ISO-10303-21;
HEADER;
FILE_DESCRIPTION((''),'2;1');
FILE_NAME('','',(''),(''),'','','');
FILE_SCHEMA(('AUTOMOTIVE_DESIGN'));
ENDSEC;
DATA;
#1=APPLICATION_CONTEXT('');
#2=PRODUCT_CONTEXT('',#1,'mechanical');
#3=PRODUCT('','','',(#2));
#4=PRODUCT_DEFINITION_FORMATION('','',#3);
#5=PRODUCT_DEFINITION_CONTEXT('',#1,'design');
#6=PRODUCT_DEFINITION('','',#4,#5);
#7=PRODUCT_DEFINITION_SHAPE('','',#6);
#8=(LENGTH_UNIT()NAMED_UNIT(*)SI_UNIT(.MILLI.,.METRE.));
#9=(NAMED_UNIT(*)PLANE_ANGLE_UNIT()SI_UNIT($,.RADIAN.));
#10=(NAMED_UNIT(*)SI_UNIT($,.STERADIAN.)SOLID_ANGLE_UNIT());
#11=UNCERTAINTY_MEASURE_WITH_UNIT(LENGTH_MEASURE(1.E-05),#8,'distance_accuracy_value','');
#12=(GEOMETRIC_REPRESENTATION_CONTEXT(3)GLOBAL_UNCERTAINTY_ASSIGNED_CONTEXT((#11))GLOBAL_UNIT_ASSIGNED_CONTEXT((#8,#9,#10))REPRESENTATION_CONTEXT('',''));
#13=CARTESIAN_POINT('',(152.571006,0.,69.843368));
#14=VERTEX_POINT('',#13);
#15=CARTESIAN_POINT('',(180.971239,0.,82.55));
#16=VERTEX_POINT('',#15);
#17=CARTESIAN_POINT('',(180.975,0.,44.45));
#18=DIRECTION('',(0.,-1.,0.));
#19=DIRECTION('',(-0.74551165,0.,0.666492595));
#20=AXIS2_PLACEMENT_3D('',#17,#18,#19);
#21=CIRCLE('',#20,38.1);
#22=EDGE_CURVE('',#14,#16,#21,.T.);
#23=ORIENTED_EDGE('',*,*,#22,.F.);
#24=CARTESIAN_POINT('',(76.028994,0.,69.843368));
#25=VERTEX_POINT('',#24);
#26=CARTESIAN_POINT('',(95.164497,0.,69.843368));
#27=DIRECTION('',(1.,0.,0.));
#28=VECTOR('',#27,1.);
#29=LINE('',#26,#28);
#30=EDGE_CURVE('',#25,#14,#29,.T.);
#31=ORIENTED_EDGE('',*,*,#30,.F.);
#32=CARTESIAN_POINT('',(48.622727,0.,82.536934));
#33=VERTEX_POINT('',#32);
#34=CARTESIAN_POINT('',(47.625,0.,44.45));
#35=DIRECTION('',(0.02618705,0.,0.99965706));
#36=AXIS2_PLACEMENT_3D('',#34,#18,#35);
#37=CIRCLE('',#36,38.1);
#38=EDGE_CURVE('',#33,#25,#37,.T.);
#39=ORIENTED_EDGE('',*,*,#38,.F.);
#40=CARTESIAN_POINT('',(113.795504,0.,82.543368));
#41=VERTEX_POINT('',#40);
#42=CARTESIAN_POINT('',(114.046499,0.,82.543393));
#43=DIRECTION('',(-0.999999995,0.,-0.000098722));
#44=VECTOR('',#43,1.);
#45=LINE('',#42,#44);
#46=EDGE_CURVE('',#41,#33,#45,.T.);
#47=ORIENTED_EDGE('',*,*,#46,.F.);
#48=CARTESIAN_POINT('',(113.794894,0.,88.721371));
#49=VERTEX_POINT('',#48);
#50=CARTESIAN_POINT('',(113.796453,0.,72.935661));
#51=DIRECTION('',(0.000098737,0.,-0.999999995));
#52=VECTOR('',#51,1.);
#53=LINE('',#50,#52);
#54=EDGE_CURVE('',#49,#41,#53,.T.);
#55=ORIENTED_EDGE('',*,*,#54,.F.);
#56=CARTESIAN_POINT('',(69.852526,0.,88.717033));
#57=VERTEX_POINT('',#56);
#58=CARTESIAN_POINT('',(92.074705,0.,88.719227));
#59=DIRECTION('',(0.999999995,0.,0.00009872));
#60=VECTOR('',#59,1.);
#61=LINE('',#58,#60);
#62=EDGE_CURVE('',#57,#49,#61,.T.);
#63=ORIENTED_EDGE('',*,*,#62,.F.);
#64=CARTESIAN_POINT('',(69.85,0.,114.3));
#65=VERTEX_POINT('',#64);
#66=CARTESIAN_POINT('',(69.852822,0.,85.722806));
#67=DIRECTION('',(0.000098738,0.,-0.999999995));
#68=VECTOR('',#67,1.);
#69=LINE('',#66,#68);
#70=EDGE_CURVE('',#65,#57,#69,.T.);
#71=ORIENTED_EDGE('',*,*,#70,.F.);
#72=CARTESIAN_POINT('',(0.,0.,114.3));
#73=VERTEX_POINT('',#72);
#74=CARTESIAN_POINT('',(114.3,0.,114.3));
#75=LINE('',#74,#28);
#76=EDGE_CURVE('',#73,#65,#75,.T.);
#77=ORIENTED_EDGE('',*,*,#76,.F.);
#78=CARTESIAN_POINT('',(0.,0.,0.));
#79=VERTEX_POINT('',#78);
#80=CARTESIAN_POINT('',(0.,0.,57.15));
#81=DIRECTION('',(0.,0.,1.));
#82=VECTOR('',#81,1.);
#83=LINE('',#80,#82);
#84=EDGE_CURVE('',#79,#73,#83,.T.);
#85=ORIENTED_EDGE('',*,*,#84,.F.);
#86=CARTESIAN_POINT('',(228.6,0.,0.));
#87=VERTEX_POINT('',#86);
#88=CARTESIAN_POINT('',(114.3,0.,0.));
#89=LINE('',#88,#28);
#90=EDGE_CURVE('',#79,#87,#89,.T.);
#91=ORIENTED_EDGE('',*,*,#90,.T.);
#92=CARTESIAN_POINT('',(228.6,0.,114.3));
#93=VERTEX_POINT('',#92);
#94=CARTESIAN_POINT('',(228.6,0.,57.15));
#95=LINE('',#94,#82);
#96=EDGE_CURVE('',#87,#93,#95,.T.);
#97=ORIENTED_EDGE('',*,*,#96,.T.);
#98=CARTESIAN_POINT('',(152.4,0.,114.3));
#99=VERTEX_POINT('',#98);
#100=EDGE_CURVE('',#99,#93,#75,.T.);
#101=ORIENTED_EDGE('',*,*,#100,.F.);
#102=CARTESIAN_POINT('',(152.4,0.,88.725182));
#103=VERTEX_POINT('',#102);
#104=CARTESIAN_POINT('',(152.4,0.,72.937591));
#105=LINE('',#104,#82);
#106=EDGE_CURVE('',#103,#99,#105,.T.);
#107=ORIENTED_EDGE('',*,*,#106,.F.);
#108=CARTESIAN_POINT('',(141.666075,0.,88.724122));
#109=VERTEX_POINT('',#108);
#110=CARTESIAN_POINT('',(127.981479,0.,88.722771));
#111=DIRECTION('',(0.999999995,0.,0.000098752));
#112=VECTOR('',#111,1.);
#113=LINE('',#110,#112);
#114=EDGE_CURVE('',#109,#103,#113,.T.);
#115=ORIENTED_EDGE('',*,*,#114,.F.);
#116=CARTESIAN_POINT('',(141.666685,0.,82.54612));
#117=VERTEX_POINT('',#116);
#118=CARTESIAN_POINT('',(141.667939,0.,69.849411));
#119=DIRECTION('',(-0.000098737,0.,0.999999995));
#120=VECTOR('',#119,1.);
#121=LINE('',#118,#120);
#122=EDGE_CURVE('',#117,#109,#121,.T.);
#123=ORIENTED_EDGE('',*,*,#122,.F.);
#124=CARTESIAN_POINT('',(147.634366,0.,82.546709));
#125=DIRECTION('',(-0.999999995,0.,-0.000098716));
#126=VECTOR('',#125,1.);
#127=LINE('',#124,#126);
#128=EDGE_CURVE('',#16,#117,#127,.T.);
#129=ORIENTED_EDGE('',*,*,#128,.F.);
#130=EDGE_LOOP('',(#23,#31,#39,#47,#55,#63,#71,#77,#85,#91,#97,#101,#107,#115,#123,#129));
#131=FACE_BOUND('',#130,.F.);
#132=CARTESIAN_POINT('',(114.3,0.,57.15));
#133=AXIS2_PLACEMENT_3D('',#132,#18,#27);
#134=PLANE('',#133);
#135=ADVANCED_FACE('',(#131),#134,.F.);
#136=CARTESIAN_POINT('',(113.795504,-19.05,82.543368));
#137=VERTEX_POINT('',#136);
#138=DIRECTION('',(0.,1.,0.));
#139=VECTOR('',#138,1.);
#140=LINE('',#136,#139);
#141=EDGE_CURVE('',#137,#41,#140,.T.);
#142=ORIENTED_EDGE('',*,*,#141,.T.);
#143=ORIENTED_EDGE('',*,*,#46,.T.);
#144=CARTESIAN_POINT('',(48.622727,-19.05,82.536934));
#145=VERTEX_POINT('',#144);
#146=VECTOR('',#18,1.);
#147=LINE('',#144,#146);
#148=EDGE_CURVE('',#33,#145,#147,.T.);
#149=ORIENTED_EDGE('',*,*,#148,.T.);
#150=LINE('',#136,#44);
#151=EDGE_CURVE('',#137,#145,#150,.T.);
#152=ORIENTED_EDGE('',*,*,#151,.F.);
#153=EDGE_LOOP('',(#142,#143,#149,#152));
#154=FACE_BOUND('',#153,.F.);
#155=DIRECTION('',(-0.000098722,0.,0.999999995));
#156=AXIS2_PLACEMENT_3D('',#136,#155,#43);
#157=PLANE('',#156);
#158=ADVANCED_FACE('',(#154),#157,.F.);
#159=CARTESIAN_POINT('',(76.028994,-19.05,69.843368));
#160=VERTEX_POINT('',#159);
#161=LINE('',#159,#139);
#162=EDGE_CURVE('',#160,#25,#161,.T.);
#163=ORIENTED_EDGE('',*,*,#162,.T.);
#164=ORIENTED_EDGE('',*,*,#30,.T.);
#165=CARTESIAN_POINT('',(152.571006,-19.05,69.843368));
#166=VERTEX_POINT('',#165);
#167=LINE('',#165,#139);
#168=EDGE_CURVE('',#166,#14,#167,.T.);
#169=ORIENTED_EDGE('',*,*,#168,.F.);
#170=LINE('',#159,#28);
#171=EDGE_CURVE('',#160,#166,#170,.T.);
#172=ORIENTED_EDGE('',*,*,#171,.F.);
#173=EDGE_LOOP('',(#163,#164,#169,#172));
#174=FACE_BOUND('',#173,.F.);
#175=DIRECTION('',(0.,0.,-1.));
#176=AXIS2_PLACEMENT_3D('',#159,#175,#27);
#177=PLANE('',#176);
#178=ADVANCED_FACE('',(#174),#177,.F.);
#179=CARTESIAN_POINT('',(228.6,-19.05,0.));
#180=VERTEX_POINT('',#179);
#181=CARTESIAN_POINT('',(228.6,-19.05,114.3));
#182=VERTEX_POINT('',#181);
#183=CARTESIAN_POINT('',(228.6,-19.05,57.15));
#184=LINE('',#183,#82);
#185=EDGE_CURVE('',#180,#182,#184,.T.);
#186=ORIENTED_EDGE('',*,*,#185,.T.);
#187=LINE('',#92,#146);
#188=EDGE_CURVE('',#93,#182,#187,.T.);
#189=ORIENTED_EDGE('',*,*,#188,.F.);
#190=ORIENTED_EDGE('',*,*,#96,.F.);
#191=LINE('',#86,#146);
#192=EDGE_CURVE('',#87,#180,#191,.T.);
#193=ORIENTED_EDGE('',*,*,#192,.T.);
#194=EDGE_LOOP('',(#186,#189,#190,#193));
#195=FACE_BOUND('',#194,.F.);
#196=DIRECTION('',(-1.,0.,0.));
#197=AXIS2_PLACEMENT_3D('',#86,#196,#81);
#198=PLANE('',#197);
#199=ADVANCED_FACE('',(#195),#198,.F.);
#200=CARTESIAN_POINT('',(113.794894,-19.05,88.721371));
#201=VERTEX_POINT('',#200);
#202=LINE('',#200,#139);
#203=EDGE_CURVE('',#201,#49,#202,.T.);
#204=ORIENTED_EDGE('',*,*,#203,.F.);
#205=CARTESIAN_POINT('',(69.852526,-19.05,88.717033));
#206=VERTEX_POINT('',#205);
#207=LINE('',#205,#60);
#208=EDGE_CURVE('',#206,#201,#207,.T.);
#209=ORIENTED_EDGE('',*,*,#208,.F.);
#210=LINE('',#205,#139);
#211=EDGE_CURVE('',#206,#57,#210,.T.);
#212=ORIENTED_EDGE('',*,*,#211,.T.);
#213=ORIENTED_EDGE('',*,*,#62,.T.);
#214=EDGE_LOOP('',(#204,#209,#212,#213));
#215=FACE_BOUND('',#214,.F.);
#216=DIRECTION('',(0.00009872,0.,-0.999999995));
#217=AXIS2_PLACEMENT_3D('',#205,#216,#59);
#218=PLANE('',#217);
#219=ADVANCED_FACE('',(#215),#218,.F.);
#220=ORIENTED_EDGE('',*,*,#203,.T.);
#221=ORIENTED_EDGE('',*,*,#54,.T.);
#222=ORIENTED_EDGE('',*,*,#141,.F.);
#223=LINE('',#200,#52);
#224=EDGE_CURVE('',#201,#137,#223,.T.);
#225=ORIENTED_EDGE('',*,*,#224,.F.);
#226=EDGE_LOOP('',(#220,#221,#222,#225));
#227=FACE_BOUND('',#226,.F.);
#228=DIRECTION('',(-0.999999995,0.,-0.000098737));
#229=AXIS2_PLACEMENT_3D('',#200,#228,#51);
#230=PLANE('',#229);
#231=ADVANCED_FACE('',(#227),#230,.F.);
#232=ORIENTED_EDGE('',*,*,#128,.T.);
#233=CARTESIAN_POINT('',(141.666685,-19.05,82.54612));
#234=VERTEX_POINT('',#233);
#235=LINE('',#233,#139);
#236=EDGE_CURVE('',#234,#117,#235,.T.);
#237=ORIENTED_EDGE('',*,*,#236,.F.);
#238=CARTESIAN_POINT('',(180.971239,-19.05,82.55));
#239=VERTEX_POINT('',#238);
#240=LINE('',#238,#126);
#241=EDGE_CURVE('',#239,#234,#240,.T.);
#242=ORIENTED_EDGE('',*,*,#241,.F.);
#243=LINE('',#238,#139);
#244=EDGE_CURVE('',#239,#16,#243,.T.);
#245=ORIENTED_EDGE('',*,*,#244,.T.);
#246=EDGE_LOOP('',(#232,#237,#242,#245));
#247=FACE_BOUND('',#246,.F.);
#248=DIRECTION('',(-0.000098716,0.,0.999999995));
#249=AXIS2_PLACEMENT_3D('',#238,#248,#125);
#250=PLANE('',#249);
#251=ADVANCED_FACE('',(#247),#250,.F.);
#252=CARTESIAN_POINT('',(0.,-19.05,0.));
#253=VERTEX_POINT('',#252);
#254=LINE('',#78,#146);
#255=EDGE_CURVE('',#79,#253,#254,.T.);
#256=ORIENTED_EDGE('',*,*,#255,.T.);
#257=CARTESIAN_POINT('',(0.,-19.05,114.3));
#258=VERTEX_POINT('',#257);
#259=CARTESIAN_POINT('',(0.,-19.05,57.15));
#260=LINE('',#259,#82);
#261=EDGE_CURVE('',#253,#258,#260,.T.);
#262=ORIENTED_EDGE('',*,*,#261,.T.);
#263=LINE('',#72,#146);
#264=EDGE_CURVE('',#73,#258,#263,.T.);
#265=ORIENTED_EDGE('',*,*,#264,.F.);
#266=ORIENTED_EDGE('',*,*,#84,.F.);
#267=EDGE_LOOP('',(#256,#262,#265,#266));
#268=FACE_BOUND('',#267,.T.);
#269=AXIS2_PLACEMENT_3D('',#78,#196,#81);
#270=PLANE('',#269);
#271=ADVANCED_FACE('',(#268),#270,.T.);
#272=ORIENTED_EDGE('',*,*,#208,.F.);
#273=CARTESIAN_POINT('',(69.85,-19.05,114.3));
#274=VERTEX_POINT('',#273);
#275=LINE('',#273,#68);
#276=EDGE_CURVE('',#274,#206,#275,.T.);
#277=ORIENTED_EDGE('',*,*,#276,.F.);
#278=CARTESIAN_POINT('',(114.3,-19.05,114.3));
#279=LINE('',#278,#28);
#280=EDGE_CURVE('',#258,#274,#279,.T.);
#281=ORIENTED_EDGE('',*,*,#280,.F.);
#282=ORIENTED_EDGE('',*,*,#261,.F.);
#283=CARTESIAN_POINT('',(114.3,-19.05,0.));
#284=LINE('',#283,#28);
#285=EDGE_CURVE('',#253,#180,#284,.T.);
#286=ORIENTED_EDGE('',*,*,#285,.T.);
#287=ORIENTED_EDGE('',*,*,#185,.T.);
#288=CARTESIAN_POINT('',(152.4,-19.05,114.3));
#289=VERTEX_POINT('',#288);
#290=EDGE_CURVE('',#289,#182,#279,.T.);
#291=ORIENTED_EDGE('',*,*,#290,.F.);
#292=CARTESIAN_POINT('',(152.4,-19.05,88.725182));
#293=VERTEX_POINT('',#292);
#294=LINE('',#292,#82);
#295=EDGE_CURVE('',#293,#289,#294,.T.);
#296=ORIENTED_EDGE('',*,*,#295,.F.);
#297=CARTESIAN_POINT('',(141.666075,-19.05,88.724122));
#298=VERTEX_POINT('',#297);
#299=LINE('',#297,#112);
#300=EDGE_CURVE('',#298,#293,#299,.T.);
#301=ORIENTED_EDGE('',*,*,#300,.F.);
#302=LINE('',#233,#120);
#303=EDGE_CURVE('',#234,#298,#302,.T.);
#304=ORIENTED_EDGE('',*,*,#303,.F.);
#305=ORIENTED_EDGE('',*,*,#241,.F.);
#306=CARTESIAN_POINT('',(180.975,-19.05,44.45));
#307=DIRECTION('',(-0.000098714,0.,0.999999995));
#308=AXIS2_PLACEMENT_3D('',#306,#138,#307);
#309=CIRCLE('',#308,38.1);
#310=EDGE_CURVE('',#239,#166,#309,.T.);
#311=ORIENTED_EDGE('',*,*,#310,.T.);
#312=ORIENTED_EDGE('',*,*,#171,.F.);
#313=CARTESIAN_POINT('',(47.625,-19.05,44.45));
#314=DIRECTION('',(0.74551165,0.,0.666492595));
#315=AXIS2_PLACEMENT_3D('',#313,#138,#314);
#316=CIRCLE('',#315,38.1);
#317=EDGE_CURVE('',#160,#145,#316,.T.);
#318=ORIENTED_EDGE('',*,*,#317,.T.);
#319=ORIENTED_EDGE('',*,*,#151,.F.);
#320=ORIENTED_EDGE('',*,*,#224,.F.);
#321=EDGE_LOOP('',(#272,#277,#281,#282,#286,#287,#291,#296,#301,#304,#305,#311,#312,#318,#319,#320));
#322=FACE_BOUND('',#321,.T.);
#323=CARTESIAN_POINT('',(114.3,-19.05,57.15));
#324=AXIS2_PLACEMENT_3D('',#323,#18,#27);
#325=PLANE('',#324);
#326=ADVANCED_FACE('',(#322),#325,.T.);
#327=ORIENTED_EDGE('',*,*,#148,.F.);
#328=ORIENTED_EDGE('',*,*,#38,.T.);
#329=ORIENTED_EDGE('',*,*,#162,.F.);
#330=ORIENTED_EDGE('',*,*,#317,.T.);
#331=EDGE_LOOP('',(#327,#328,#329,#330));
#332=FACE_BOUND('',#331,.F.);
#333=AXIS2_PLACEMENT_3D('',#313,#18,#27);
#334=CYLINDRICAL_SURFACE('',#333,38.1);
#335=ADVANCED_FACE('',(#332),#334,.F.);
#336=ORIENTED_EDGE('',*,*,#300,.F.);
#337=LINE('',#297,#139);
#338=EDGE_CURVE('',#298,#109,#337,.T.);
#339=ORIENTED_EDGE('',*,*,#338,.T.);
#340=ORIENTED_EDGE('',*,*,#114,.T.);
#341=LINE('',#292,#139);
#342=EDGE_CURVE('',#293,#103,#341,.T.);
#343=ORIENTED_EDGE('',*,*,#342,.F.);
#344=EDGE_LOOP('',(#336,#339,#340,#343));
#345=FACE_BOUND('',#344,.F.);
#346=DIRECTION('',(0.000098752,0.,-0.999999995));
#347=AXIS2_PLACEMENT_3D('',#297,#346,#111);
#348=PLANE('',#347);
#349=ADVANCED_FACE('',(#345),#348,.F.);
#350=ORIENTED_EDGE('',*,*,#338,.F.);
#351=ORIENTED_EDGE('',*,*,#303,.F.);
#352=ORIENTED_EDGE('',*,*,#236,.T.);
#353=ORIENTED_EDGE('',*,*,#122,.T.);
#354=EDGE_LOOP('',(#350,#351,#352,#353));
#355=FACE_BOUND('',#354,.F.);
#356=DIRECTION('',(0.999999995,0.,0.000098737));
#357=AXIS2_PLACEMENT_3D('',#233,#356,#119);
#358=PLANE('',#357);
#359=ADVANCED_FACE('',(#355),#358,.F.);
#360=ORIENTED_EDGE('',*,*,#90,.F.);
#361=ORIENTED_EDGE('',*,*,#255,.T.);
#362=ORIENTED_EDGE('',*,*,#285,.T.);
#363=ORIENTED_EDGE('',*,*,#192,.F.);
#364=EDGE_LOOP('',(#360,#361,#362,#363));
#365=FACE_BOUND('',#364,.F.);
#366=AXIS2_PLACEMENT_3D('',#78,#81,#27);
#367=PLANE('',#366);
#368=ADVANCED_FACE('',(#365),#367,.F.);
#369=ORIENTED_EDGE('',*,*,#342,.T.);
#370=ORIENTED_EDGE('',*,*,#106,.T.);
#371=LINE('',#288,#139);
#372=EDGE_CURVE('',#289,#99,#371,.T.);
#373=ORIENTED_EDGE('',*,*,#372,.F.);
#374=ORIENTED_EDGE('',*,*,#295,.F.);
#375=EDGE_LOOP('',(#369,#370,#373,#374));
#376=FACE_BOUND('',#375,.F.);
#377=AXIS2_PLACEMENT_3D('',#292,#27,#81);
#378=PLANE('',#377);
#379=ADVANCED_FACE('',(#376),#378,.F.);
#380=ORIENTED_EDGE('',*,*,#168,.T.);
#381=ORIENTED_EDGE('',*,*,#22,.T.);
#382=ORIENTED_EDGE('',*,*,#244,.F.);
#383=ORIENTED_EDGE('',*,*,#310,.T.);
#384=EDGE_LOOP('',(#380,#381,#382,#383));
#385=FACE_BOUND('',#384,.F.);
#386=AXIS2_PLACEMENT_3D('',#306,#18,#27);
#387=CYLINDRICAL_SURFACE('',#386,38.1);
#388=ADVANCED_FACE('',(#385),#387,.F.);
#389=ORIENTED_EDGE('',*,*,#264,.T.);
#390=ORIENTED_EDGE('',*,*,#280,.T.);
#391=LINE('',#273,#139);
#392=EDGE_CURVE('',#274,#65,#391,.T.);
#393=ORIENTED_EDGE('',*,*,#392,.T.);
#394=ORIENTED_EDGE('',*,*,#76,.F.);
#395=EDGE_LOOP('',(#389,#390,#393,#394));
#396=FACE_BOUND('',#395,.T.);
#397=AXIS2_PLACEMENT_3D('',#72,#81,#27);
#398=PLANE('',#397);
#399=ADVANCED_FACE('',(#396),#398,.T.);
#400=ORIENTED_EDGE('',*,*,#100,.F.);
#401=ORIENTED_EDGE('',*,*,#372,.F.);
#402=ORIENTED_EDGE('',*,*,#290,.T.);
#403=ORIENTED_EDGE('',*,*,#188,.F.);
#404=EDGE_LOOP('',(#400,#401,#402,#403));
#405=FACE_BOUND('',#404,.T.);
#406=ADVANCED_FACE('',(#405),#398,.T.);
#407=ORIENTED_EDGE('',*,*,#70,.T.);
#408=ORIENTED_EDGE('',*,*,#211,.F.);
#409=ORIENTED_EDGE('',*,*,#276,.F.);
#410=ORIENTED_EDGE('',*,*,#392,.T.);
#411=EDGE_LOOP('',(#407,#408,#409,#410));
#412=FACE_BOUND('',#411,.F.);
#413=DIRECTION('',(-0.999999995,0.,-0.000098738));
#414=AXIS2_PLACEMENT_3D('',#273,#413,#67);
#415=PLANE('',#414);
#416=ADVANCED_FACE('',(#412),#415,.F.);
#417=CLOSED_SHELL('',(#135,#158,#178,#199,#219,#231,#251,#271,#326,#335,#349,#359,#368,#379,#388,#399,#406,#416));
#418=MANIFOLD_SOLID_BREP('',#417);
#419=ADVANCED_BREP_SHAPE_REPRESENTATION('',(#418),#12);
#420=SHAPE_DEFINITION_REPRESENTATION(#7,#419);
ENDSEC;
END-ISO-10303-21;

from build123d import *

# Parameters (mm, degrees)
F0_W     = 228.6
F0_H     = 114.3
F1_DEPTH = 19.05
F2_R     = 38.1
F3_DEPTH = 25.4
F5_DEPTH = 25.4


with BuildPart() as f1:
    # F0 (on Front) → F1 (new body)
    with BuildSketch(Plane.XZ):
        with Locations((114.3, 57.15)):
            Rectangle(F0_W, F0_H)
    extrude(amount=F1_DEPTH)

    # F2 (on face) → F3 (cut)
    with BuildSketch(Plane.XZ.offset(19.05)):
        with Locations((47.625, 44.45)):
            Circle(F2_R)
        with Locations((180.975, 44.45)):
            Circle(F2_R)
    extrude(amount=-F3_DEPTH, mode=Mode.SUBTRACT)

    # F4 (on face) → F5 (cut)
    with BuildSketch(Plane.XZ.offset(19.05)):
        with BuildLine():
            ThreePointArc((152.571006, 69.843368), (165.414963, 79.227798), (180.971239, 82.55))
            Line((180.971239, 82.55), (141.666685, 82.54612))
            Line((141.666685, 82.54612), (141.666075, 88.724122))
            Line((141.666075, 88.724122), (152.4, 88.725182))
            Line((152.4, 88.725182), (152.4, 114.3))
            Line((152.4, 114.3), (69.85, 114.3))
            Line((69.85, 114.3), (69.852526, 88.717033))
            Line((69.852526, 88.717033), (113.794894, 88.721371))
            Line((113.794894, 88.721371), (113.795504, 82.543368))
            Line((113.795504, 82.543368), (48.622711, 82.536934))
            ThreePointArc((48.622711, 82.536934), (63.637392, 79.021857), (76.028994, 69.843368))
            Line((76.028994, 69.843368), (152.571006, 69.843368))
        make_face()
    extrude(amount=-F5_DEPTH, mode=Mode.SUBTRACT)


solid = f1.part
